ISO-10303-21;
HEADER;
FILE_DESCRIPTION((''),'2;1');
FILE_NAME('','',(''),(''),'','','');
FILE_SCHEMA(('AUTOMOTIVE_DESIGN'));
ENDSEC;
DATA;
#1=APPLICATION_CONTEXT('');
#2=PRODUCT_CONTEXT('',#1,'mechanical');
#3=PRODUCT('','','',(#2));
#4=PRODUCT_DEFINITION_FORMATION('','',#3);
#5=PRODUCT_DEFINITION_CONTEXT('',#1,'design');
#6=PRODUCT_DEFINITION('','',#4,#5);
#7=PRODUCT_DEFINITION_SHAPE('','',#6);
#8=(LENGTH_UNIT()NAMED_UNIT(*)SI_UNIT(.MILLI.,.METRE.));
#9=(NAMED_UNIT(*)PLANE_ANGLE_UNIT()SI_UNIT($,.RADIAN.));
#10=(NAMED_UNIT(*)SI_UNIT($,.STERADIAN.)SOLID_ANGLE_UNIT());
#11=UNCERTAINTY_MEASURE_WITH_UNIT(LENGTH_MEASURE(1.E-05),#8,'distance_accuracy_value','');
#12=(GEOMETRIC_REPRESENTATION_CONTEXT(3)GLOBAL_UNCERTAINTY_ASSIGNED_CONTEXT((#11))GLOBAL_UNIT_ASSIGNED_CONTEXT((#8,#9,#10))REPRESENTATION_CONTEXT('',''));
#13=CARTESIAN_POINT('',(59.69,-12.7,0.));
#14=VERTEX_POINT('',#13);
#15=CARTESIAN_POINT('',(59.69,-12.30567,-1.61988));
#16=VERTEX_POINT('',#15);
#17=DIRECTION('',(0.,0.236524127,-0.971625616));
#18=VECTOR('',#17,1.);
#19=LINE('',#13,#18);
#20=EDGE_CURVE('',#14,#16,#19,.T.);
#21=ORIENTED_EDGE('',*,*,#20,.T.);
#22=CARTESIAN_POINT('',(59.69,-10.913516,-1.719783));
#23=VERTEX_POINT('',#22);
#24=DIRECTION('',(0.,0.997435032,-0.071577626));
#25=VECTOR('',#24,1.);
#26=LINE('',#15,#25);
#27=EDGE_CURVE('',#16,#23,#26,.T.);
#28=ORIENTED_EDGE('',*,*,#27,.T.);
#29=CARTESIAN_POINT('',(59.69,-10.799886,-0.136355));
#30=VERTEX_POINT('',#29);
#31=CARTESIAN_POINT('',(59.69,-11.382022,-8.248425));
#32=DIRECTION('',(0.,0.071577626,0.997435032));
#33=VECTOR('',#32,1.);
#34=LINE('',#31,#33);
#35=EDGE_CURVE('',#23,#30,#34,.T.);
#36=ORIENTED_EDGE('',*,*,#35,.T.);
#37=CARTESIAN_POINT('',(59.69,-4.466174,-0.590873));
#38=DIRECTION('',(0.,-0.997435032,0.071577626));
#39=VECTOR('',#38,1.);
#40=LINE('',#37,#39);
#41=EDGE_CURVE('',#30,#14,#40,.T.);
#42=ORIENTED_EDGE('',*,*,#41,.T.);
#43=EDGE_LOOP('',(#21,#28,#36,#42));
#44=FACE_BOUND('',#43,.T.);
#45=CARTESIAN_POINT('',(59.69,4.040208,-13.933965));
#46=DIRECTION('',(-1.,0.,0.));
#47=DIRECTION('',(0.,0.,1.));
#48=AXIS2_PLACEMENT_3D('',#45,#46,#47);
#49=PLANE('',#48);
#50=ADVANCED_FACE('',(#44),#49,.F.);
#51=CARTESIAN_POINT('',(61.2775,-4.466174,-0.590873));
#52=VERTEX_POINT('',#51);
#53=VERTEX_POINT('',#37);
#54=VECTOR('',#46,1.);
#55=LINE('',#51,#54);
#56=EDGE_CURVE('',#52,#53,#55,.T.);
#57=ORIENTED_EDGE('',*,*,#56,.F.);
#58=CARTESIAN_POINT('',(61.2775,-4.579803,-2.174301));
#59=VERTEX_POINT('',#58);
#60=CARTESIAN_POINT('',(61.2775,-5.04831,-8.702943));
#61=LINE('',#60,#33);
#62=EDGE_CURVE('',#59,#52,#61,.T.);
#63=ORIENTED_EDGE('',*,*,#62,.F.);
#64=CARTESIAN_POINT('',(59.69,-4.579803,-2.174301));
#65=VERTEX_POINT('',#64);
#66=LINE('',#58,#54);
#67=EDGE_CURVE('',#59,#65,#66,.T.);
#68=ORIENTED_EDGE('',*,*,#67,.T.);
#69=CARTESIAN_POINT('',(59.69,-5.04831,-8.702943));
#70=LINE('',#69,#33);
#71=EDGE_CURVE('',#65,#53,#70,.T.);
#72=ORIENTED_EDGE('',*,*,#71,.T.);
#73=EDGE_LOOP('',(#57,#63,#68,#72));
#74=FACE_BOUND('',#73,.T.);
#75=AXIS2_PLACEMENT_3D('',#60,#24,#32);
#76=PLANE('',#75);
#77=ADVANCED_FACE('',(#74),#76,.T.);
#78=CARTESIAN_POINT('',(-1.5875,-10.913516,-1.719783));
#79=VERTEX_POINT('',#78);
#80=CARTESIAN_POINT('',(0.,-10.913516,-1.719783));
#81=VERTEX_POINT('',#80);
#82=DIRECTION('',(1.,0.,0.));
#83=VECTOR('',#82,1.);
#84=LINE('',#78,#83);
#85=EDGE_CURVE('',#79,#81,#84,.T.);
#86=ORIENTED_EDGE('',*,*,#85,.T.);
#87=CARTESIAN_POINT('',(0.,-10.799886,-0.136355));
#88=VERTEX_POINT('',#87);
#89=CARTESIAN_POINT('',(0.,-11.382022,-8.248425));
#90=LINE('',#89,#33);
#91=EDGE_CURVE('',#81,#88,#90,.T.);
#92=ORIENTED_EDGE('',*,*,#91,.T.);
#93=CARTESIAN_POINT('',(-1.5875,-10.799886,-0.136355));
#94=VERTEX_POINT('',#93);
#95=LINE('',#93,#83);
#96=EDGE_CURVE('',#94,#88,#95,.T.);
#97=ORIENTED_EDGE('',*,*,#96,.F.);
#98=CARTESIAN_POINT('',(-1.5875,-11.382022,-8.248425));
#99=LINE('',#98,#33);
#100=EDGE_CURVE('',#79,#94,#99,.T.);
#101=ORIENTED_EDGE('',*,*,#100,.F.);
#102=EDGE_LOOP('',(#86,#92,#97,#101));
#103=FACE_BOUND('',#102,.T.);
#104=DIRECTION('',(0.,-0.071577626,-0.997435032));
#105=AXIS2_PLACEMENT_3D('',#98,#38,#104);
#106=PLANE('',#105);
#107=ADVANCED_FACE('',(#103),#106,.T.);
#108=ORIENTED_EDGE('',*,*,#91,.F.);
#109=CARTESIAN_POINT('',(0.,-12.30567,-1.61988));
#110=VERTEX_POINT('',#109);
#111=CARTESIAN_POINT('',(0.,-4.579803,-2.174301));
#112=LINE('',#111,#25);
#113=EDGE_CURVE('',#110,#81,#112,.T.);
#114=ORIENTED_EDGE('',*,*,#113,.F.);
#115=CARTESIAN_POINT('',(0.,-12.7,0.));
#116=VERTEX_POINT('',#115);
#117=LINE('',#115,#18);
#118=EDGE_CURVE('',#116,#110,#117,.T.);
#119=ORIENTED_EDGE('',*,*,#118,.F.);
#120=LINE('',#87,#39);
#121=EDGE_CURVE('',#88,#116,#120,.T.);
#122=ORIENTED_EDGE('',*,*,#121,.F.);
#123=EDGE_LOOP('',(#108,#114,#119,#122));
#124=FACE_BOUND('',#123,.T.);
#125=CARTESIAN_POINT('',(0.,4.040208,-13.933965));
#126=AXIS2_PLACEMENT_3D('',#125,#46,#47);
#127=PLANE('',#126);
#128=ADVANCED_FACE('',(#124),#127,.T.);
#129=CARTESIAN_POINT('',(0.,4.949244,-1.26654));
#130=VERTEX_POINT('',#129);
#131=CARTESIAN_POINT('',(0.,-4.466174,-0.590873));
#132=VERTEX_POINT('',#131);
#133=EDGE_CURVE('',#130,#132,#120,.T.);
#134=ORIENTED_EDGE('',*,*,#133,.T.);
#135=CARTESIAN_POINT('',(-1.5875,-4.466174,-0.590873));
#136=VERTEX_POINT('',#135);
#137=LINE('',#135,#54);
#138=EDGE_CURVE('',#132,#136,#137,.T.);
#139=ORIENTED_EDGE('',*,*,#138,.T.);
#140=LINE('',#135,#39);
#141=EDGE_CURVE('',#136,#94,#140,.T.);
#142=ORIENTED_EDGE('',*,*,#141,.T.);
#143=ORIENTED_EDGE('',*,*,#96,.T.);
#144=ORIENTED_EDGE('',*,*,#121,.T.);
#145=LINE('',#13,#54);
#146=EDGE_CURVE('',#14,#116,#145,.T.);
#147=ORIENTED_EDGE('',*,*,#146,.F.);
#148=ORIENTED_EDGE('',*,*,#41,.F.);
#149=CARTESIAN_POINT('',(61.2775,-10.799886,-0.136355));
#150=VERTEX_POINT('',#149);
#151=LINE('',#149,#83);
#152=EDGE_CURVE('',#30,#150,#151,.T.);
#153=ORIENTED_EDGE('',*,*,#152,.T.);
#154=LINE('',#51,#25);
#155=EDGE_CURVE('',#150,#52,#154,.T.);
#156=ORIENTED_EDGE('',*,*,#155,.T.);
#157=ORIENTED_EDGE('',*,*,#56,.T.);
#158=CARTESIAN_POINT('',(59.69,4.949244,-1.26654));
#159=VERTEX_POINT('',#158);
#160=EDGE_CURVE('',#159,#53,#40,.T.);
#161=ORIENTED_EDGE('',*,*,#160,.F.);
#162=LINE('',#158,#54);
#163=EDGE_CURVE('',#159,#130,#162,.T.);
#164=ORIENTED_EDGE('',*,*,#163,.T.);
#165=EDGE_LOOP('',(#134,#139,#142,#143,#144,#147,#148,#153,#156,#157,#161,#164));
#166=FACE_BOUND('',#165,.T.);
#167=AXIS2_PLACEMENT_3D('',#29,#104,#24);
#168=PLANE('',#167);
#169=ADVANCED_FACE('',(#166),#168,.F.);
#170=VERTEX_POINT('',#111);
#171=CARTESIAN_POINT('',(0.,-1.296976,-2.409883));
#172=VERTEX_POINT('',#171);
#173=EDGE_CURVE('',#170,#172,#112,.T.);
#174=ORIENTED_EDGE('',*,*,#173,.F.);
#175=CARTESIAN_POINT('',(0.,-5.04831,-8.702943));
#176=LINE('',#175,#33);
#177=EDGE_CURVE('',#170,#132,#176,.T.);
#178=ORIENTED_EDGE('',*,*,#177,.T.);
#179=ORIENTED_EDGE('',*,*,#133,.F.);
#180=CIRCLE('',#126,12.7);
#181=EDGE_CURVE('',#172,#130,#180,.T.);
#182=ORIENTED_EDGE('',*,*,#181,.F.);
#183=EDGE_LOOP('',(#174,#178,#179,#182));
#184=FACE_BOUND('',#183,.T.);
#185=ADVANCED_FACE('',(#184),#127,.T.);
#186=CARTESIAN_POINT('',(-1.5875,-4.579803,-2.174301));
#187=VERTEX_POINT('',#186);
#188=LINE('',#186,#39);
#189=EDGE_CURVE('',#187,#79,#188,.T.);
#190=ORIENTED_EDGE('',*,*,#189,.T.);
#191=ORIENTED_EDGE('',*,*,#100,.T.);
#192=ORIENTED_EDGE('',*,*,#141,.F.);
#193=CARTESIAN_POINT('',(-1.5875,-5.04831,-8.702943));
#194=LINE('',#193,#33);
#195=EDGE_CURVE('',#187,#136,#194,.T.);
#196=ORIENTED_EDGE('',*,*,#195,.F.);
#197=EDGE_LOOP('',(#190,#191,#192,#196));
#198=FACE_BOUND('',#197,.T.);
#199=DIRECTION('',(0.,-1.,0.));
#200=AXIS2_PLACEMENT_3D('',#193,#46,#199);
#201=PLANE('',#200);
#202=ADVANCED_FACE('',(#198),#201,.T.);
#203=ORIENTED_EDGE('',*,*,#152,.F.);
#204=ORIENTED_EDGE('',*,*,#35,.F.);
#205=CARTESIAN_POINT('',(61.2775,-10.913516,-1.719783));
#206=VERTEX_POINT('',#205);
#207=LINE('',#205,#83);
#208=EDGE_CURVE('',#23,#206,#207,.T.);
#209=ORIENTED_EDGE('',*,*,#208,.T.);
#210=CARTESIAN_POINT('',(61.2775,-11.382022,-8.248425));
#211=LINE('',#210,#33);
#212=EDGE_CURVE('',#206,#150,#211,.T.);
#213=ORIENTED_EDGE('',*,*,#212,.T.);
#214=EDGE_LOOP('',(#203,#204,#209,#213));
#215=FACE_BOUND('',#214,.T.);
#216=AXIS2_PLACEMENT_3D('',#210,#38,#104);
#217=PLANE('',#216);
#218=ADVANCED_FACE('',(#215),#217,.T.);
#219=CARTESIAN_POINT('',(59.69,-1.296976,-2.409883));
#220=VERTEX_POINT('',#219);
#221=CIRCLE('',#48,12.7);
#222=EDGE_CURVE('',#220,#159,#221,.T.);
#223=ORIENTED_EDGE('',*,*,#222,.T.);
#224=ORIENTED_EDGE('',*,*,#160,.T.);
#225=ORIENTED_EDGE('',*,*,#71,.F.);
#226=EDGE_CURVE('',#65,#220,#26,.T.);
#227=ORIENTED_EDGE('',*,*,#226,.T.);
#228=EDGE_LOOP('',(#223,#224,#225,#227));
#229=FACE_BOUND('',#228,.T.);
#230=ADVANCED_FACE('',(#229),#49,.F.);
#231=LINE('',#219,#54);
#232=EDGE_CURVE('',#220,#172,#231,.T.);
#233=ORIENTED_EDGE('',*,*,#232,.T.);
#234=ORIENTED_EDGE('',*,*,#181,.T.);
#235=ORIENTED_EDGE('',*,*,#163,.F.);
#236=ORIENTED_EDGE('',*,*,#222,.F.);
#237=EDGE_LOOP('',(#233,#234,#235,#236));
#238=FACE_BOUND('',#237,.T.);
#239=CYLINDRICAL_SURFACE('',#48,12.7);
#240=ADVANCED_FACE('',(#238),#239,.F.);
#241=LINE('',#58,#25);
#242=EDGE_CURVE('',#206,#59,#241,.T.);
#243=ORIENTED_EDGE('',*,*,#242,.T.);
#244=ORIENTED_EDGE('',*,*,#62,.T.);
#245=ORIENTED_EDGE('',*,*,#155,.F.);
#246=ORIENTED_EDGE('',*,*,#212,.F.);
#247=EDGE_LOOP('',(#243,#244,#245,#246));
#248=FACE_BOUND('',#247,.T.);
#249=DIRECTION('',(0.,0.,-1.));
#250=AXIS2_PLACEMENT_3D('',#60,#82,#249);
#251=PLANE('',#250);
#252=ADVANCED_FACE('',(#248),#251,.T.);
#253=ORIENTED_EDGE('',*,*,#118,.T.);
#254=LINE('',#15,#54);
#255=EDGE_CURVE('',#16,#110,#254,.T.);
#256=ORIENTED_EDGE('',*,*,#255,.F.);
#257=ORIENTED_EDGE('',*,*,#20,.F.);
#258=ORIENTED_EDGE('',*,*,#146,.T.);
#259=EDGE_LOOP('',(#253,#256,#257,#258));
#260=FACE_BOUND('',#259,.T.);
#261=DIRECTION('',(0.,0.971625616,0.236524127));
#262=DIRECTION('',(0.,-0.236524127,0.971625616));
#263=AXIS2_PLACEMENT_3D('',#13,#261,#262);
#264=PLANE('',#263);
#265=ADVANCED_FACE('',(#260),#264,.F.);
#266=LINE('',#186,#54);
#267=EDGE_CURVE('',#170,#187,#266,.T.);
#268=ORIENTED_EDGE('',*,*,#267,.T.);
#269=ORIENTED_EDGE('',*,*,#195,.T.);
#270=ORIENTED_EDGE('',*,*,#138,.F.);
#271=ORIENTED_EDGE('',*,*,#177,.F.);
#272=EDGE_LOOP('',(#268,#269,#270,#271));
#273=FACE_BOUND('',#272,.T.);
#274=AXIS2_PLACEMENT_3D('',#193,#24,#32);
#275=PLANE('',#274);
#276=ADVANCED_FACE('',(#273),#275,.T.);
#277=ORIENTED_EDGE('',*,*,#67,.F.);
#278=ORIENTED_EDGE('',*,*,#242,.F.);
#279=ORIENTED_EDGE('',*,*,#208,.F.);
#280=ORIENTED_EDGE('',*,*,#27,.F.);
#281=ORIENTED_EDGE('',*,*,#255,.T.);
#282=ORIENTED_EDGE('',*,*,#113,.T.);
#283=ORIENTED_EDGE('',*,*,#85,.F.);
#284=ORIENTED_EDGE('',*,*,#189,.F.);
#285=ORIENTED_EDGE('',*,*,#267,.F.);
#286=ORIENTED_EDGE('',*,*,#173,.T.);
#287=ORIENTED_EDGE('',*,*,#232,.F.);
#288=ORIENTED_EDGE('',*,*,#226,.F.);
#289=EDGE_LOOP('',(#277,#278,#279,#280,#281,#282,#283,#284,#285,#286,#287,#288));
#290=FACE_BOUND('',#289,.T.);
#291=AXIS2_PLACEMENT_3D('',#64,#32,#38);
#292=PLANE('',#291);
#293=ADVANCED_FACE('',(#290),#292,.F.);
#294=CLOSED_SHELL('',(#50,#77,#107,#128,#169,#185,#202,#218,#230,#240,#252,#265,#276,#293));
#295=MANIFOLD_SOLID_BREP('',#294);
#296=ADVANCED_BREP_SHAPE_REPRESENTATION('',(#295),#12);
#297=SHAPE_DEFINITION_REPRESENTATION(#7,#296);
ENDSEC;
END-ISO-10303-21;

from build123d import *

# Parameters (mm, degrees)
BOSS_EXTRUDE1_DEPTH = 59.69
SKETCH2_W           = 1.5875
SKETCH2_H           = 6.35
BOSS_EXTRUDE2_DEPTH = 1.5875


with BuildPart() as part:
    # Sketch1 → Boss-Extrude1 (new body)
    with BuildSketch(Plane(origin=(0, 0, 0), x_dir=(0, 0, -1), z_dir=(1, 0, 0))):
        with BuildLine():
            Line((0.590873303, -4.466173809), (0.136355378, -10.799886264))
            Line((0.136355378, -10.799886264), (0, -12.7))
            Line((0, -12.7), (1.619880116, -12.30567041))
            Line((1.619880116, -12.30567041), (2.174301417, -4.579803291))
            Line((2.174301417, -4.579803291), (2.409882648, -1.296976159))
            ThreePointArc((2.409882648, -1.296976159), (1.441524141, 1.753522136), (1.266539623, 4.949244036))
            Line((1.266539623, 4.949244036), (0.590873303, -4.466173809))
        make_face()
    extrude(amount=BOSS_EXTRUDE1_DEPTH)

    # Sketch2 → Boss-Extrude2 (add)
    with BuildSketch(Plane(origin=(0, -0.065066628, -0.906704203), x_dir=(1, 0, 0), z_dir=(0, 0.07157762605528778, 0.9974350321942224))):
        with Locations((-0.79375, -7.587424909)):
            Rectangle(SKETCH2_W, SKETCH2_H)
        with Locations((60.48375, -7.587424909)):
            Rectangle(SKETCH2_W, SKETCH2_H)
    extrude(amount=-BOSS_EXTRUDE2_DEPTH)


solid = part.part
